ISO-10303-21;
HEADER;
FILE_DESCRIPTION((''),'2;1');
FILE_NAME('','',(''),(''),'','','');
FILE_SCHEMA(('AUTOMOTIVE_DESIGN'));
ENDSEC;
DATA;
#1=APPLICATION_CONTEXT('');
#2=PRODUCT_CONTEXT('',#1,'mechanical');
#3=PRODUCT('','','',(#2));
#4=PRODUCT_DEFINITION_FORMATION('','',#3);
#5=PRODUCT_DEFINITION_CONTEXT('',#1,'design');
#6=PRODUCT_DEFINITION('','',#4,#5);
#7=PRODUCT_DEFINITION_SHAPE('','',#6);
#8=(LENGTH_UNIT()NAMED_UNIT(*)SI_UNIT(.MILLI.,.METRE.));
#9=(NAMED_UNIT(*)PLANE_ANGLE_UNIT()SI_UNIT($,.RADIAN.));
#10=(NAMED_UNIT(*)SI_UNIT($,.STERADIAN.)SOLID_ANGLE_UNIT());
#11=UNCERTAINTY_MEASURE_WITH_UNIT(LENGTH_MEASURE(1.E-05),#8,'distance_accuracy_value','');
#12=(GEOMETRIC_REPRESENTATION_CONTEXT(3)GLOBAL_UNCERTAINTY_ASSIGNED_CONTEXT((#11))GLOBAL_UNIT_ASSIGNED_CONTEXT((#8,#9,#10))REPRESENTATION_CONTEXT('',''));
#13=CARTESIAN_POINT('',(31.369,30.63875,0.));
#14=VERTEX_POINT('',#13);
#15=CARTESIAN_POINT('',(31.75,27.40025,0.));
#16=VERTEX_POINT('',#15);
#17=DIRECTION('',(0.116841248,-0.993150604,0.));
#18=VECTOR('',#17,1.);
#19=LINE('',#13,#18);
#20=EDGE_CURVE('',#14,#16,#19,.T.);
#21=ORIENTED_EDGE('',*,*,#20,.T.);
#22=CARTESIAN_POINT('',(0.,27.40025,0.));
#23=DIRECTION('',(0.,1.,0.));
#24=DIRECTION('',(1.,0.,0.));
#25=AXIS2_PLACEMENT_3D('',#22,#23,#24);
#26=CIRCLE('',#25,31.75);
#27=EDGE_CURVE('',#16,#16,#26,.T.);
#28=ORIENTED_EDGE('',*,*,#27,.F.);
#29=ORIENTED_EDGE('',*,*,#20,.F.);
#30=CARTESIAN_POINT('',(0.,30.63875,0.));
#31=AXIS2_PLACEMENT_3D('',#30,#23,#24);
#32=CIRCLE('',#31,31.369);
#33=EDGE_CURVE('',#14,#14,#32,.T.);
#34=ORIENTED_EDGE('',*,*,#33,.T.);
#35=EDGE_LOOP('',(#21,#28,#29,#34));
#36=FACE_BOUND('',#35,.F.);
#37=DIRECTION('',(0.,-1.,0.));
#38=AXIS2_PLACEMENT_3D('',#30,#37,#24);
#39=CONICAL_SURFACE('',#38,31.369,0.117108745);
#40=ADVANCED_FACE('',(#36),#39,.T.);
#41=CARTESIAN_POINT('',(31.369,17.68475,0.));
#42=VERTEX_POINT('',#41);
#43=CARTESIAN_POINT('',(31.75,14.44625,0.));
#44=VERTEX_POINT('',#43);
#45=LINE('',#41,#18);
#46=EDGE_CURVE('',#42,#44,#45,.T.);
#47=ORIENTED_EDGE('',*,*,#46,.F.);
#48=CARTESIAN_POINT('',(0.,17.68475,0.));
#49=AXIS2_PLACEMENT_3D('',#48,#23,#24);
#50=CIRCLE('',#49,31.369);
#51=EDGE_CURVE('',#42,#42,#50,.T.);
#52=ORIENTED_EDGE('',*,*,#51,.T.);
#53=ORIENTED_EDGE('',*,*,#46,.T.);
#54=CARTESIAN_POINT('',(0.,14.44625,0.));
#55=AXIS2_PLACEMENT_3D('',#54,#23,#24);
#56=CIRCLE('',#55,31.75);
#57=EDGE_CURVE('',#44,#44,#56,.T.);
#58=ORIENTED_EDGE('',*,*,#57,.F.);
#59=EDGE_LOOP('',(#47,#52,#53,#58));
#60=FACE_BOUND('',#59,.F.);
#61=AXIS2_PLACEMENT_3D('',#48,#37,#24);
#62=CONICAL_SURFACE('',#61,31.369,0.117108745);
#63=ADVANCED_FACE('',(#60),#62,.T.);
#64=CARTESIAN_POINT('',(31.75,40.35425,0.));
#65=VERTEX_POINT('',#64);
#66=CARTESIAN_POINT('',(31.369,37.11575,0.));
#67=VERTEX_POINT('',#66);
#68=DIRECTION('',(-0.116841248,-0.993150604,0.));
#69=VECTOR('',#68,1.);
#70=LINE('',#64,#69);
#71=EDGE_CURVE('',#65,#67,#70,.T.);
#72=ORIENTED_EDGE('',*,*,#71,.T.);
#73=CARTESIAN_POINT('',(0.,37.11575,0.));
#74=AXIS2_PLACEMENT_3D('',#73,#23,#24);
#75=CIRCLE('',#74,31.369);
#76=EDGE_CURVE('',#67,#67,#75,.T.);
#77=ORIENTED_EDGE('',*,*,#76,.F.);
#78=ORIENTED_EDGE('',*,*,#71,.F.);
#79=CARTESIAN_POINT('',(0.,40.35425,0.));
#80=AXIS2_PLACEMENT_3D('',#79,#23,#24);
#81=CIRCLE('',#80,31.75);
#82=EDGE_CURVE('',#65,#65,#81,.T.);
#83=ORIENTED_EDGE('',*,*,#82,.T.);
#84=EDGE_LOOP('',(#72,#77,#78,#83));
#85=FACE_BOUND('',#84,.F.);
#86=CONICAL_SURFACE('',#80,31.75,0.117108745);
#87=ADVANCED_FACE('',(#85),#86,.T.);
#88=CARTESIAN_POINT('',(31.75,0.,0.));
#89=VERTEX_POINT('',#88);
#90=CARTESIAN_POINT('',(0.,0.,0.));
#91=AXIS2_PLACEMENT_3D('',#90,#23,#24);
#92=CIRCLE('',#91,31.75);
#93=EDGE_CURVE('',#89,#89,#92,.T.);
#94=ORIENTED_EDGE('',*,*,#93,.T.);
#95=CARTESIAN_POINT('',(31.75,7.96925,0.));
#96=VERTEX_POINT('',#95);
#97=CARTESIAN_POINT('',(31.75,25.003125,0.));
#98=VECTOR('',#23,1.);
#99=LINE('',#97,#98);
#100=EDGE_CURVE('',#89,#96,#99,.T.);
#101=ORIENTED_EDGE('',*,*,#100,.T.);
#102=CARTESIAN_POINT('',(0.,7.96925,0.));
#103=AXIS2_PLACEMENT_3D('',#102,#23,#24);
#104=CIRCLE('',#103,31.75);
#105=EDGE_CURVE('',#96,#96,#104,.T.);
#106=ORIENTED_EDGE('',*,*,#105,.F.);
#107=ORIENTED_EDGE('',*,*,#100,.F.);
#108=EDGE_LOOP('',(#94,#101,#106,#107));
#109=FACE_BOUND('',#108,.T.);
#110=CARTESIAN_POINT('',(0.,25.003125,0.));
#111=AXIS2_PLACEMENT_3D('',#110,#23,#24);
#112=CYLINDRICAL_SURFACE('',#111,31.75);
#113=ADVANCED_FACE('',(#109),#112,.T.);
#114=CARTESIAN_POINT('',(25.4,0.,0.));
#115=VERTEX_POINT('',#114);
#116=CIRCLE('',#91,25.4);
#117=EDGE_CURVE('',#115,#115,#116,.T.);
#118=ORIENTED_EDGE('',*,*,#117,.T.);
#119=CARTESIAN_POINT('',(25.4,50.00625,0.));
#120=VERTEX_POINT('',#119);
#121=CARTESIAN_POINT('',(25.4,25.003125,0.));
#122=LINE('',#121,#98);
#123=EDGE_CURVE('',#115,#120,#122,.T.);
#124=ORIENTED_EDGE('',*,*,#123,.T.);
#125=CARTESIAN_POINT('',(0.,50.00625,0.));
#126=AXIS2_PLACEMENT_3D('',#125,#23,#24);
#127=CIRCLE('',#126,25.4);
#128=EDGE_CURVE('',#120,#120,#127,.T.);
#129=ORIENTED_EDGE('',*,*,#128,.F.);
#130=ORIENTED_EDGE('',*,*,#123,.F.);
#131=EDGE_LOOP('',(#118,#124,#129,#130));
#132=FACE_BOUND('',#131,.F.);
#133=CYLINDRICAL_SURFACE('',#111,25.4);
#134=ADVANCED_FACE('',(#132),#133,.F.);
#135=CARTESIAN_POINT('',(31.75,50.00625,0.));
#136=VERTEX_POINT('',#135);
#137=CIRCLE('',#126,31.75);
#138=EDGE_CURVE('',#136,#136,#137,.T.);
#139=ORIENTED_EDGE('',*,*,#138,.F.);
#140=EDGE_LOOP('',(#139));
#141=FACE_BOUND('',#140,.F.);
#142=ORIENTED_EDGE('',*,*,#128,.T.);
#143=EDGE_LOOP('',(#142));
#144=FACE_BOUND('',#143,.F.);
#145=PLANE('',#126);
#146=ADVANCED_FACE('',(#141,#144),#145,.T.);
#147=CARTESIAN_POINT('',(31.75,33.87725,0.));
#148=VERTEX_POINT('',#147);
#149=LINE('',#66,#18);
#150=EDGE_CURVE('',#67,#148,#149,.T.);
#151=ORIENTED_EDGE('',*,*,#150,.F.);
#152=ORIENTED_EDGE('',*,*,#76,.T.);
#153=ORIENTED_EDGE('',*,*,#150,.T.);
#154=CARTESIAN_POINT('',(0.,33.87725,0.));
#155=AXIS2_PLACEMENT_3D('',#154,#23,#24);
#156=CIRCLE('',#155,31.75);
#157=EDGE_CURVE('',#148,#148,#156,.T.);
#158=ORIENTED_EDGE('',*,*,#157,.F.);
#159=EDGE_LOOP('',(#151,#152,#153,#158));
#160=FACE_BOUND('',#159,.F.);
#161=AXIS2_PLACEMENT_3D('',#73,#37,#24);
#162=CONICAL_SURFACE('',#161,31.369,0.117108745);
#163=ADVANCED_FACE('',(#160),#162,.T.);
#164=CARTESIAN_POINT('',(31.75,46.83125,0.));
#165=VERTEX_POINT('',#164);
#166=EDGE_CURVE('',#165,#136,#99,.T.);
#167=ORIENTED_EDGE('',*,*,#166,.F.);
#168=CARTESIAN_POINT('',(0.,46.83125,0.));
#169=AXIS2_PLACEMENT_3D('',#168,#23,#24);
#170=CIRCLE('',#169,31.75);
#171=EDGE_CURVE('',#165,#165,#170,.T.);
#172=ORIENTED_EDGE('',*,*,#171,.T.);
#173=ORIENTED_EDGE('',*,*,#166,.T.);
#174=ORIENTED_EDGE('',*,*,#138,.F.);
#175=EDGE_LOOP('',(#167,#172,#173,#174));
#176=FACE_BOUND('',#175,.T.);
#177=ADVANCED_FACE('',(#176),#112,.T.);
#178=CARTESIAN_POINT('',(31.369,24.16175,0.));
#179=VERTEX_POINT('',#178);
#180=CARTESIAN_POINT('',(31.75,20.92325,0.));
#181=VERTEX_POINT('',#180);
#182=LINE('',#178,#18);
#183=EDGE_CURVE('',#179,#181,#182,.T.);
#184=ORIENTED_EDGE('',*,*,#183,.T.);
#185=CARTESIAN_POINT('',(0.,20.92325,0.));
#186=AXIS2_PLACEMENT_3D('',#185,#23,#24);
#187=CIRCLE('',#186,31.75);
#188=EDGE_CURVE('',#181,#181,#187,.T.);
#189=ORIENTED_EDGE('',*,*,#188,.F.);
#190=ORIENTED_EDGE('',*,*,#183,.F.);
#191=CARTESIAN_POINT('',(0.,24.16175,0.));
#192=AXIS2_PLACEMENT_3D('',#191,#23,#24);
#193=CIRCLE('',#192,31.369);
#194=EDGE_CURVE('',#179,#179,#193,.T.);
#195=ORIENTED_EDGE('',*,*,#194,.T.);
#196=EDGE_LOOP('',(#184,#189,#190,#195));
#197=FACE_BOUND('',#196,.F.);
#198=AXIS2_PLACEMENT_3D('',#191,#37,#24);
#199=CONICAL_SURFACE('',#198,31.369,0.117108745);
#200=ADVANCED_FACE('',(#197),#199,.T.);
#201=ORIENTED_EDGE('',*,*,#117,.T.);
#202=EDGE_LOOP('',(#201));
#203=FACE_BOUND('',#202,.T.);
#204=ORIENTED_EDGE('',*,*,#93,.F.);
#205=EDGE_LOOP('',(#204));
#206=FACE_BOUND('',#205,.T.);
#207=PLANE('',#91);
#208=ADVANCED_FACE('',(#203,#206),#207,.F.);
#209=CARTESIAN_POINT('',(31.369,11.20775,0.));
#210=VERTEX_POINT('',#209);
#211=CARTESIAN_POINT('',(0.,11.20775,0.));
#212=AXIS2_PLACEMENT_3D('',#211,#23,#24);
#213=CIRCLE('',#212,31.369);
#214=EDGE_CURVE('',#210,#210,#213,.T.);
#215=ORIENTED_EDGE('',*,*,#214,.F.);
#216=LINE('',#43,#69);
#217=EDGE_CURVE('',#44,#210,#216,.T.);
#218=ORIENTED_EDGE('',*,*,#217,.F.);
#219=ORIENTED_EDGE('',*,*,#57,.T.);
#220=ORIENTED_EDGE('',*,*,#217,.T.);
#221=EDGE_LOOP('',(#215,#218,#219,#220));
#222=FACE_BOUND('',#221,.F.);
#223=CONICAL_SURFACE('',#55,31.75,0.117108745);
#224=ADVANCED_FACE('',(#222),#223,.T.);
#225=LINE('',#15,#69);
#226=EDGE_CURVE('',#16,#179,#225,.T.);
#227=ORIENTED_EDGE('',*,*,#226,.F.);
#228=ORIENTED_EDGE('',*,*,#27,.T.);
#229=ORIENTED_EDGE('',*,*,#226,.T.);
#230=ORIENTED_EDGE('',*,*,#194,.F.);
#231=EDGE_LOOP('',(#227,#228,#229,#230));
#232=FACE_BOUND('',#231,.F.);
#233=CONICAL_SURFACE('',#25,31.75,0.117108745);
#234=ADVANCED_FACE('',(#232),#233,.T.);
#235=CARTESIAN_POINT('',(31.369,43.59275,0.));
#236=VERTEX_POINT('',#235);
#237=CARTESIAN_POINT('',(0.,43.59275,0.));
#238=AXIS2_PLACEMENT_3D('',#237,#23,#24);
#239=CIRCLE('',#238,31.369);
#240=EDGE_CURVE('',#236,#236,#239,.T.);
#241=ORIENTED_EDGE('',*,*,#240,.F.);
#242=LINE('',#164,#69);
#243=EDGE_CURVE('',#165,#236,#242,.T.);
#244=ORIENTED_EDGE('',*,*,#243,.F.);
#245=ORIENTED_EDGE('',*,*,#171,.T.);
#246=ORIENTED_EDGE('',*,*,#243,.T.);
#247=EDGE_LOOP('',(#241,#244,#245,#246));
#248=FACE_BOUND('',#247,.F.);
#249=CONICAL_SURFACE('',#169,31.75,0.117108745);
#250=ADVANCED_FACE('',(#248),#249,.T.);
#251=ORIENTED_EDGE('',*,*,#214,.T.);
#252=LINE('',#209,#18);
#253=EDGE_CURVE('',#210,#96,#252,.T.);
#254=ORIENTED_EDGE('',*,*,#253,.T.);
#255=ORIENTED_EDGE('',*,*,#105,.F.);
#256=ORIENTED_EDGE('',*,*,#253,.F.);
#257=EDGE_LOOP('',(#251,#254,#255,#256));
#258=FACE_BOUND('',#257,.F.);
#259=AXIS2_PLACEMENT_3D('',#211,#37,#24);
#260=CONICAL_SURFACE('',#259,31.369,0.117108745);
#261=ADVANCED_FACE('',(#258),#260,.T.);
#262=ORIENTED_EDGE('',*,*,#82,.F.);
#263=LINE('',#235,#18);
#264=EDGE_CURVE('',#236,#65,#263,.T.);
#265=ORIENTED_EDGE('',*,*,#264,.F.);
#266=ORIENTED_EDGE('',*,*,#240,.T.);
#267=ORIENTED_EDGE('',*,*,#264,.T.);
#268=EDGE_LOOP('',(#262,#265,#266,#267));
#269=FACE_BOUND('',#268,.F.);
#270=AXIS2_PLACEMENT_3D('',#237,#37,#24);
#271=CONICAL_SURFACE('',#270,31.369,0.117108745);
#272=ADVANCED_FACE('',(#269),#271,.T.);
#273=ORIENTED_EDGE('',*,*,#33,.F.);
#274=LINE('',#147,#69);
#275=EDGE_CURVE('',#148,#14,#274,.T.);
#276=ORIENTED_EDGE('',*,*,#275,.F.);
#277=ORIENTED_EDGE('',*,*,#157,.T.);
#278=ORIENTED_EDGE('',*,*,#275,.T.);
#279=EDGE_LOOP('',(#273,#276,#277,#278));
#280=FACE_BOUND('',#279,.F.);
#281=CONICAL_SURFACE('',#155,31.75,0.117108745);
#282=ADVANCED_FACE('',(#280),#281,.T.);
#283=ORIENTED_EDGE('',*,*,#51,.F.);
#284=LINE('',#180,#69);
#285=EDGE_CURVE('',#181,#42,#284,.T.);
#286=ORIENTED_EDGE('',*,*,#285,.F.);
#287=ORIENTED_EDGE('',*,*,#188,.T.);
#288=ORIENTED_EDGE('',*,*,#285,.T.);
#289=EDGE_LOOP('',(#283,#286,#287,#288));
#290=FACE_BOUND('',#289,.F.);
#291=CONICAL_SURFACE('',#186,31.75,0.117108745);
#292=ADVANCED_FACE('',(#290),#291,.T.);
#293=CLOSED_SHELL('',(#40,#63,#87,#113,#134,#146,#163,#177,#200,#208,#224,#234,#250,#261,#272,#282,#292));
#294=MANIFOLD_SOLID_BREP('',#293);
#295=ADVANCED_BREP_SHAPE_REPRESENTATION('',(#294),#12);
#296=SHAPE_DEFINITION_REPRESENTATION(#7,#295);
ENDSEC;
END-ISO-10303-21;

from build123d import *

# Parameters (mm, degrees)
SKETCH2_W       = 6.35
SKETCH2_H       = 50.00625
LPATTERN1_COUNT = 6
LPATTERN1_PITCH = 6.477


with BuildPart() as part:
    # Sketch2 → Revolve1 (revolve)
    with BuildSketch(Plane.XY):
        with Locations((28.575, 25.003125)):
            Rectangle(SKETCH2_W, SKETCH2_H)
    revolve(axis=Axis((0, -40.656569806, 0), (0, 1, 0)))

    # Sketch3 → Cut-Revolve1 (revolve, cut)
    with BuildSketch(Plane.XY):
        Polygon((31.75, 46.83125), (31.369, 43.59275), (31.75, 40.35425), align=None)
    cut_revolve1 = revolve(axis=Axis((0, -40.656569806, 0), (0, 1, 0)), mode=Mode.SUBTRACT)

    # LPattern1: Cut-Revolve1 ×6
    with Locations(*[(0, -i * LPATTERN1_PITCH, 0) for i in range(1, LPATTERN1_COUNT)]):
        add(cut_revolve1, mode=Mode.SUBTRACT)


solid = part.part
